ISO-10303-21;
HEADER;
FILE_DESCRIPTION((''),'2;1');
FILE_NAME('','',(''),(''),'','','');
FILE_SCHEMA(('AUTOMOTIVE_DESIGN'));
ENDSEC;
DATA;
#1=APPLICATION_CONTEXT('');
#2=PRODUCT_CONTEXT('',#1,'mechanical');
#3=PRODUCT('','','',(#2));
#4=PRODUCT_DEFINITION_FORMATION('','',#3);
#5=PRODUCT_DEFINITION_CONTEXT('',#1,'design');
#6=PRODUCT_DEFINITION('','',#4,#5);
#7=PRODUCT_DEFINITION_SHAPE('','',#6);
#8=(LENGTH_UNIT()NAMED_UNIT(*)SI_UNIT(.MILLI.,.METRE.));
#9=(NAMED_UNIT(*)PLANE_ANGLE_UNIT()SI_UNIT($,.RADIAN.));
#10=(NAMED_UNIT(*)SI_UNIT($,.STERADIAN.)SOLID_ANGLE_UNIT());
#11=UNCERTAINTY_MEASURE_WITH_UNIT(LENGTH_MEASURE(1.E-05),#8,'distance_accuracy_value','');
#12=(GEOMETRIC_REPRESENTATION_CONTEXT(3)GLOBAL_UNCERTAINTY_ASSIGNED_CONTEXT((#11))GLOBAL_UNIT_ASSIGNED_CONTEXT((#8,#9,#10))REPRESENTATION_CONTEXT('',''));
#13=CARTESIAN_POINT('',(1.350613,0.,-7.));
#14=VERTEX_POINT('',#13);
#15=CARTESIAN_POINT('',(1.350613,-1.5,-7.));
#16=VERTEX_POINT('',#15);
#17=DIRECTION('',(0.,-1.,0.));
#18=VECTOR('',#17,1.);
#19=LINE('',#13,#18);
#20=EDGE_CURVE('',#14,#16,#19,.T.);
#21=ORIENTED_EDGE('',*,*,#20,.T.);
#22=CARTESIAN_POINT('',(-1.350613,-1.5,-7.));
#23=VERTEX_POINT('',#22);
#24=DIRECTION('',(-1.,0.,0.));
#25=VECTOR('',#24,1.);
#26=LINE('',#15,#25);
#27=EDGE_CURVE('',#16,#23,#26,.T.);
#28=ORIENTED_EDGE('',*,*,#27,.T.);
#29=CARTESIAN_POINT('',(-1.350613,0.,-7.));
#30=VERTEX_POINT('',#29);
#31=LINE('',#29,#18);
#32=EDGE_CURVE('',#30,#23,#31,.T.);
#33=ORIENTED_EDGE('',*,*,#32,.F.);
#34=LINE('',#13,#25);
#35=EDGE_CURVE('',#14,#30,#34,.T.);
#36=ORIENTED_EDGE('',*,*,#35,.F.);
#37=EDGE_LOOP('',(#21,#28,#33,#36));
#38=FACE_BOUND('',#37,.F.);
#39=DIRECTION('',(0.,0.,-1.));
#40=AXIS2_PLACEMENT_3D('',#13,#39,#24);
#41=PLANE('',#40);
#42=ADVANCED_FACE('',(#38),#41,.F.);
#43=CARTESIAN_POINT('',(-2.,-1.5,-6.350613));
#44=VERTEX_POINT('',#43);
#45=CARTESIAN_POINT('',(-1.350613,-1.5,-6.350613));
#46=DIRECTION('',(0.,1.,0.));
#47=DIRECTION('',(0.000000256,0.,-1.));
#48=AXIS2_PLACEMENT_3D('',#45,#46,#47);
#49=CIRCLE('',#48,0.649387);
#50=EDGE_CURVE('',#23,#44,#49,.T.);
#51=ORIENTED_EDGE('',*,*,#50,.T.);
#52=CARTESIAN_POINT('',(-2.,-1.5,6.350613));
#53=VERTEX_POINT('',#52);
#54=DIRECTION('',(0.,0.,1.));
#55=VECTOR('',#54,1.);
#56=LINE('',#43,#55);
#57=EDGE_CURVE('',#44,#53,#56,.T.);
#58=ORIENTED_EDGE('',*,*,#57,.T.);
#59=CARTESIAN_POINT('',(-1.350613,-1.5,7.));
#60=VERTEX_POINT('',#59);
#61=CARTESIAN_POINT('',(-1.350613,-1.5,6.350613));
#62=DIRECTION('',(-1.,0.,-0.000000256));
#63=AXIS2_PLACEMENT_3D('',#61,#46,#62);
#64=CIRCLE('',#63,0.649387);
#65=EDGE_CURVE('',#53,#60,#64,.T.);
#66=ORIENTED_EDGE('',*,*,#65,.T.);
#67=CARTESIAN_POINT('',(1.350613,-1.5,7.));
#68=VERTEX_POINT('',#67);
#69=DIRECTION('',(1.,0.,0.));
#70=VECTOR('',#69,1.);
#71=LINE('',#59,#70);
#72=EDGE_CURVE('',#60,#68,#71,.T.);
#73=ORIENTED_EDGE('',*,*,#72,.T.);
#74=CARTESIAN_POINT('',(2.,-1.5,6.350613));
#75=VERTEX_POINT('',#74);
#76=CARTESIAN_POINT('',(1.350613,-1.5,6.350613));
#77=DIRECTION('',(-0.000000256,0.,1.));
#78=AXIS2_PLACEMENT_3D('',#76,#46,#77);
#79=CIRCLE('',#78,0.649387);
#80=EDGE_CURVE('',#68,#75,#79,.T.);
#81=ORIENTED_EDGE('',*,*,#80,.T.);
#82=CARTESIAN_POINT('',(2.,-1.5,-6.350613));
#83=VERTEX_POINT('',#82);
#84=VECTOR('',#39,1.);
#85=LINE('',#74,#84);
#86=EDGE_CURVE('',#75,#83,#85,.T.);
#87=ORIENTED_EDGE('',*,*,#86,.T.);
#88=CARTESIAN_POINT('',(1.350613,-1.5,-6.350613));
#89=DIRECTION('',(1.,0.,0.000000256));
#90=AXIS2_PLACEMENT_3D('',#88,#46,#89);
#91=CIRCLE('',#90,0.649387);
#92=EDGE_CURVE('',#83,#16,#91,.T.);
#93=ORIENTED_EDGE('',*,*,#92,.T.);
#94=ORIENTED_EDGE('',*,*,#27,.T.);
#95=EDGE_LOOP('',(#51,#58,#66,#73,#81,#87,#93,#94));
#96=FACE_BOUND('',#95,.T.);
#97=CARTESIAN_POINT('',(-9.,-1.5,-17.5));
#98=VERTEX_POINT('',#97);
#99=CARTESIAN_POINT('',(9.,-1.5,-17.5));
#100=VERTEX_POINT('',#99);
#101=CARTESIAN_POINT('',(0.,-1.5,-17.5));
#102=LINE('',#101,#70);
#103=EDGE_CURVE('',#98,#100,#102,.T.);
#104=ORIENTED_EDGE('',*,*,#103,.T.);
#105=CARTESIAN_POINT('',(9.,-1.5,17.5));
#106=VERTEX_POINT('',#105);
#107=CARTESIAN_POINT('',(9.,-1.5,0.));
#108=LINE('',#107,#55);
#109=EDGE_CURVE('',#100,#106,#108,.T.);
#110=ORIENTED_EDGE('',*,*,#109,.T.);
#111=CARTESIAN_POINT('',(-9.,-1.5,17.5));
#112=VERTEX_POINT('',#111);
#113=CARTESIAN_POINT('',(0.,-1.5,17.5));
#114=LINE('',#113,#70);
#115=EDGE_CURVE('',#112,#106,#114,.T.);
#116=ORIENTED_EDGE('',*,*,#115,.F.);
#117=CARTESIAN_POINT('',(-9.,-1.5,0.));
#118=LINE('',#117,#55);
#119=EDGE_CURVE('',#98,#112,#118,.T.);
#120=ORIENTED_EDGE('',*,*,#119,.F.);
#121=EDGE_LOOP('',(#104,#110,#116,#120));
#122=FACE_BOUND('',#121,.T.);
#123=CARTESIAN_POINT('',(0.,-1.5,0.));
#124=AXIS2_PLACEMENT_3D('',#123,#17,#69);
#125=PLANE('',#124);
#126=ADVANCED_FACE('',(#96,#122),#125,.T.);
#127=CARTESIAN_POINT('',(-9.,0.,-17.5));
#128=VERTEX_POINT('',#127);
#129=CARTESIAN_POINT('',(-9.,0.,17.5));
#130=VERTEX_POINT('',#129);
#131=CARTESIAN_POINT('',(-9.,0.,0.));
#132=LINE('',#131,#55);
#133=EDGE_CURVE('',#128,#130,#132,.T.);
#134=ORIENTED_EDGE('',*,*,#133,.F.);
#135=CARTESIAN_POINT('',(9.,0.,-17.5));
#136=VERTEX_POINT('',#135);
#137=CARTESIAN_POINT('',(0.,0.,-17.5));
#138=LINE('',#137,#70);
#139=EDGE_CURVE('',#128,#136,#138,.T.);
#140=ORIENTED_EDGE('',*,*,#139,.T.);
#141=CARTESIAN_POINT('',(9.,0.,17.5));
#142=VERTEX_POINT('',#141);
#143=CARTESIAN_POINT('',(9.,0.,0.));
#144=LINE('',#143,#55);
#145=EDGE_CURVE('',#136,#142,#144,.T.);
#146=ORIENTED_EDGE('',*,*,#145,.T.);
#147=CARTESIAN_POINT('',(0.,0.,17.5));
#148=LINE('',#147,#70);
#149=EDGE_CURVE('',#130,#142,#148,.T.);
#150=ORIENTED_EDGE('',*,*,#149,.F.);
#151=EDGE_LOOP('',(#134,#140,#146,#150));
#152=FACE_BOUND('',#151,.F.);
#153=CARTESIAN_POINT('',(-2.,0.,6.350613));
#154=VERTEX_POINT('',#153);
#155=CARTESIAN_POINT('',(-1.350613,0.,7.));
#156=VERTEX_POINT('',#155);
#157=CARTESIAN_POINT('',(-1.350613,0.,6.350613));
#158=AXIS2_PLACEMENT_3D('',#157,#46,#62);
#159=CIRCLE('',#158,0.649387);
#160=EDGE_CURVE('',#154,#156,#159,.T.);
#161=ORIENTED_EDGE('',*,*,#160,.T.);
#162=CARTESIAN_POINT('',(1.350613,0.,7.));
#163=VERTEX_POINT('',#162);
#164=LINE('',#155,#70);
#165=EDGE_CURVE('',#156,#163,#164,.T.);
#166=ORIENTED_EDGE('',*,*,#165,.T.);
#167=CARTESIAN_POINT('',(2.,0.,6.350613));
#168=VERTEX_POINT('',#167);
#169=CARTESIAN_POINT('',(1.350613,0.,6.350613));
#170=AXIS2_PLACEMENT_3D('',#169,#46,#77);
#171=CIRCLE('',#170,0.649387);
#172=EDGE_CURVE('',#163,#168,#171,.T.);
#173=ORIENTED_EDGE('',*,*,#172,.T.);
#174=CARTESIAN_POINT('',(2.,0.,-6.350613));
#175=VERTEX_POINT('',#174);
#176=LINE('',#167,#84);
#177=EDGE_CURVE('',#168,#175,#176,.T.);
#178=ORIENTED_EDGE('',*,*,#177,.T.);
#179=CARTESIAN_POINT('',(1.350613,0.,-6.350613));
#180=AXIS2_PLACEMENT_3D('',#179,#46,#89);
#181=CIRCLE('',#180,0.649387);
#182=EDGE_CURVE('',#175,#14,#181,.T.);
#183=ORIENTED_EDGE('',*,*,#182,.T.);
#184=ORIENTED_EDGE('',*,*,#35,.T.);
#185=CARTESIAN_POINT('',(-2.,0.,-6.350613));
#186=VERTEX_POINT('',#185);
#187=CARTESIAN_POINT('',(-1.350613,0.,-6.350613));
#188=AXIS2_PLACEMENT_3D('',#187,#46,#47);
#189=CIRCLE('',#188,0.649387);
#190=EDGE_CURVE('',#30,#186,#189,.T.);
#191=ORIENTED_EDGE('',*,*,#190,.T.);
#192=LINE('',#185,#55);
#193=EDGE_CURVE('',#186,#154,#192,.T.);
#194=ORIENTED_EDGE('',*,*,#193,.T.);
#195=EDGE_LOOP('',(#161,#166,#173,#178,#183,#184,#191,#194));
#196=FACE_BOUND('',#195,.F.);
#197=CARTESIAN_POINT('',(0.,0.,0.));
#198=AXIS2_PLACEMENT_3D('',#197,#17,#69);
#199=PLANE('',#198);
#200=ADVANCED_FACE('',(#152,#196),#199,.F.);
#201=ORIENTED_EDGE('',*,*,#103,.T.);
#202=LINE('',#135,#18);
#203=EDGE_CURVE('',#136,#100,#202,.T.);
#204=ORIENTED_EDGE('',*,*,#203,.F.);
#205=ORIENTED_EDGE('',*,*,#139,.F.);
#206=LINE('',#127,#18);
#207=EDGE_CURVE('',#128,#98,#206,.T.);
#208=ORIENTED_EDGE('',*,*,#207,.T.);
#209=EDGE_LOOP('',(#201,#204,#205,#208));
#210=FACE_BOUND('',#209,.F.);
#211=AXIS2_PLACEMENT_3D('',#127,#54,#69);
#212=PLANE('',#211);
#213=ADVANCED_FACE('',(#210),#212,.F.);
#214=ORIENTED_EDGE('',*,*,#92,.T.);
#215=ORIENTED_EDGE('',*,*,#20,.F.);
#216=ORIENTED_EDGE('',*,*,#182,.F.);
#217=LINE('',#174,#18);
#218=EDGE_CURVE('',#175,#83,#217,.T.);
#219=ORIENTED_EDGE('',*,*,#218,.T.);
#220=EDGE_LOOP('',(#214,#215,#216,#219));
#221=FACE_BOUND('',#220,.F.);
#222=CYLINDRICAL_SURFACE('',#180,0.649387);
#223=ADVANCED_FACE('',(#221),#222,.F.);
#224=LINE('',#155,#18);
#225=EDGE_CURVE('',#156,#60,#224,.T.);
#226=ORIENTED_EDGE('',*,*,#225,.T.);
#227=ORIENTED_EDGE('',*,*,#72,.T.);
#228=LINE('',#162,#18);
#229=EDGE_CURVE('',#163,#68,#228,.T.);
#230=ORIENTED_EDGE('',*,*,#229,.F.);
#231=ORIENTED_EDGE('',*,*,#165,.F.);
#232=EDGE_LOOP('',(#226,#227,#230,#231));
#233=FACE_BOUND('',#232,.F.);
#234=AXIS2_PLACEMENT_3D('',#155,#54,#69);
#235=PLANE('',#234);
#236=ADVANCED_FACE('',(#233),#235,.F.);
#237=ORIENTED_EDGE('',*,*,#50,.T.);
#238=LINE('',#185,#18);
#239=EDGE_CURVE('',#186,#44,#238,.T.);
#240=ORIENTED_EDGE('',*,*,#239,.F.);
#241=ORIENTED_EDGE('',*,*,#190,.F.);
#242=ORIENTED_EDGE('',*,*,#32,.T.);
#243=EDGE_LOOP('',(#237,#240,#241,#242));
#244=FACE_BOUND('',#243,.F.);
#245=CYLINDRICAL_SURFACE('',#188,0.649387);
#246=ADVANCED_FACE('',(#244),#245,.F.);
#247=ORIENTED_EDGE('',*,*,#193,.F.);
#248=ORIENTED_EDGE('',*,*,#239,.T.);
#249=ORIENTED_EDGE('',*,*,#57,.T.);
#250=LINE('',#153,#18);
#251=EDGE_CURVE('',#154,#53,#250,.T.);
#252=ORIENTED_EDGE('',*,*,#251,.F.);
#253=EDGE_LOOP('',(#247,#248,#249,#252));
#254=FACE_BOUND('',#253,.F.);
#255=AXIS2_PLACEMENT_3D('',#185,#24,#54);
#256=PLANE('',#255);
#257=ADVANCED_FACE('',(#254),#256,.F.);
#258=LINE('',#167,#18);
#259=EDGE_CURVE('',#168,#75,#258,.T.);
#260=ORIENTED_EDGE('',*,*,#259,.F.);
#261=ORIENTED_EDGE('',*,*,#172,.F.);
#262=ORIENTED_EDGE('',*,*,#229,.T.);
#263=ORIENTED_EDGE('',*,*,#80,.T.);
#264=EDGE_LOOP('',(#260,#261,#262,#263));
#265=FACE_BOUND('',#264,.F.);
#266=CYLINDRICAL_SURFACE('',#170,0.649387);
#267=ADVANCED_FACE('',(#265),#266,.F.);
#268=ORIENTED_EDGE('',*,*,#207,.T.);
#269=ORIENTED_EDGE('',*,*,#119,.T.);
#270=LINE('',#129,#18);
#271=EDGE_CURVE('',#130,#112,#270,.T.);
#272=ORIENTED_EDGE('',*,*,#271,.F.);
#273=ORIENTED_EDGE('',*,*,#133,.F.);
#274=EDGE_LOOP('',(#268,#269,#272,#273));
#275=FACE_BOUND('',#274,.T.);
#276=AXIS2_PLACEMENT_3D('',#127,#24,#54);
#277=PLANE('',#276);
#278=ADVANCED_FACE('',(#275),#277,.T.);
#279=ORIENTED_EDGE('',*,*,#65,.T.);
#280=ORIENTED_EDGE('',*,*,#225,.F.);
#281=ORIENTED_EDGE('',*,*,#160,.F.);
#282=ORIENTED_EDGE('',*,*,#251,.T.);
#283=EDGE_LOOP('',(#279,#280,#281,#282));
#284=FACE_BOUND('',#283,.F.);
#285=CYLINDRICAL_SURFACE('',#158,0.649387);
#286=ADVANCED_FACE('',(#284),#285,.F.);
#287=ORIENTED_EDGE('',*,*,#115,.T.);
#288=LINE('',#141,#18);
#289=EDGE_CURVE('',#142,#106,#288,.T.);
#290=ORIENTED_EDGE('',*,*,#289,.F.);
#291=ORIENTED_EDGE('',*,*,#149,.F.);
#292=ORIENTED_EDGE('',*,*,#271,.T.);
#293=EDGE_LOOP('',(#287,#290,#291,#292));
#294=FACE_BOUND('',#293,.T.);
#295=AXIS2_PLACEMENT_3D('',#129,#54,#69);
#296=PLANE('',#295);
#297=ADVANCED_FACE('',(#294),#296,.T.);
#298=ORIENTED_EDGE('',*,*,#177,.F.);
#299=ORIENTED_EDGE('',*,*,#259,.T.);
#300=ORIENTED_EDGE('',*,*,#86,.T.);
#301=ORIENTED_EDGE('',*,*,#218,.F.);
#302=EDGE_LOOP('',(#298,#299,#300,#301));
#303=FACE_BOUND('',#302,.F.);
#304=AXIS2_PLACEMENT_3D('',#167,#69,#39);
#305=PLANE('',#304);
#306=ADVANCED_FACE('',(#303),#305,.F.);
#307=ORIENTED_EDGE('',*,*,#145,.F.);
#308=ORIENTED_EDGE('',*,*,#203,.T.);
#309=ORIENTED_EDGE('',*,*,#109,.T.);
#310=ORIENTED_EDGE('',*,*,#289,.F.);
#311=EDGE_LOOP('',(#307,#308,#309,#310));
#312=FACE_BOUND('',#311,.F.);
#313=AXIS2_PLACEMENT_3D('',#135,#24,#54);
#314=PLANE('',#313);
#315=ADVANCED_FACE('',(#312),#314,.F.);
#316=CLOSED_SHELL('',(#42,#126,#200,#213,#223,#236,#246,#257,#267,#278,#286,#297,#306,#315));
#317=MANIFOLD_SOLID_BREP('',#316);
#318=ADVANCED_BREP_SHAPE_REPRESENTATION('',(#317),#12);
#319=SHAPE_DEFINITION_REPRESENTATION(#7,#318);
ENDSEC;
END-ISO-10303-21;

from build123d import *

# Parameters (mm, degrees)
F0_W     = 18
F0_H     = 35
F1_DEPTH = 1.5


with BuildPart() as f1:
    # F0 (on Front) → F1 (new body)
    with BuildSketch(Plane.XZ):
        Rectangle(F0_W, F0_H)
        with BuildLine():
            Line((-1.350613, 7), (1.350613, 7))
            ThreePointArc((1.350613, 7), (1.809799, 6.809799), (2, 6.350613))
            Line((2, 6.350613), (2, -6.350613))
            ThreePointArc((2, -6.350613), (1.809799, -6.809799), (1.350613, -7))
            Line((1.350613, -7), (-1.350613, -7))
            ThreePointArc((-1.350613, -7), (-1.809799, -6.809799), (-2, -6.350613))
            Line((-2, -6.350613), (-2, 6.350613))
            ThreePointArc((-2, 6.350613), (-1.809799, 6.809799), (-1.350613, 7))
        make_face(mode=Mode.SUBTRACT)
    extrude(amount=F1_DEPTH)


solid = f1.part
